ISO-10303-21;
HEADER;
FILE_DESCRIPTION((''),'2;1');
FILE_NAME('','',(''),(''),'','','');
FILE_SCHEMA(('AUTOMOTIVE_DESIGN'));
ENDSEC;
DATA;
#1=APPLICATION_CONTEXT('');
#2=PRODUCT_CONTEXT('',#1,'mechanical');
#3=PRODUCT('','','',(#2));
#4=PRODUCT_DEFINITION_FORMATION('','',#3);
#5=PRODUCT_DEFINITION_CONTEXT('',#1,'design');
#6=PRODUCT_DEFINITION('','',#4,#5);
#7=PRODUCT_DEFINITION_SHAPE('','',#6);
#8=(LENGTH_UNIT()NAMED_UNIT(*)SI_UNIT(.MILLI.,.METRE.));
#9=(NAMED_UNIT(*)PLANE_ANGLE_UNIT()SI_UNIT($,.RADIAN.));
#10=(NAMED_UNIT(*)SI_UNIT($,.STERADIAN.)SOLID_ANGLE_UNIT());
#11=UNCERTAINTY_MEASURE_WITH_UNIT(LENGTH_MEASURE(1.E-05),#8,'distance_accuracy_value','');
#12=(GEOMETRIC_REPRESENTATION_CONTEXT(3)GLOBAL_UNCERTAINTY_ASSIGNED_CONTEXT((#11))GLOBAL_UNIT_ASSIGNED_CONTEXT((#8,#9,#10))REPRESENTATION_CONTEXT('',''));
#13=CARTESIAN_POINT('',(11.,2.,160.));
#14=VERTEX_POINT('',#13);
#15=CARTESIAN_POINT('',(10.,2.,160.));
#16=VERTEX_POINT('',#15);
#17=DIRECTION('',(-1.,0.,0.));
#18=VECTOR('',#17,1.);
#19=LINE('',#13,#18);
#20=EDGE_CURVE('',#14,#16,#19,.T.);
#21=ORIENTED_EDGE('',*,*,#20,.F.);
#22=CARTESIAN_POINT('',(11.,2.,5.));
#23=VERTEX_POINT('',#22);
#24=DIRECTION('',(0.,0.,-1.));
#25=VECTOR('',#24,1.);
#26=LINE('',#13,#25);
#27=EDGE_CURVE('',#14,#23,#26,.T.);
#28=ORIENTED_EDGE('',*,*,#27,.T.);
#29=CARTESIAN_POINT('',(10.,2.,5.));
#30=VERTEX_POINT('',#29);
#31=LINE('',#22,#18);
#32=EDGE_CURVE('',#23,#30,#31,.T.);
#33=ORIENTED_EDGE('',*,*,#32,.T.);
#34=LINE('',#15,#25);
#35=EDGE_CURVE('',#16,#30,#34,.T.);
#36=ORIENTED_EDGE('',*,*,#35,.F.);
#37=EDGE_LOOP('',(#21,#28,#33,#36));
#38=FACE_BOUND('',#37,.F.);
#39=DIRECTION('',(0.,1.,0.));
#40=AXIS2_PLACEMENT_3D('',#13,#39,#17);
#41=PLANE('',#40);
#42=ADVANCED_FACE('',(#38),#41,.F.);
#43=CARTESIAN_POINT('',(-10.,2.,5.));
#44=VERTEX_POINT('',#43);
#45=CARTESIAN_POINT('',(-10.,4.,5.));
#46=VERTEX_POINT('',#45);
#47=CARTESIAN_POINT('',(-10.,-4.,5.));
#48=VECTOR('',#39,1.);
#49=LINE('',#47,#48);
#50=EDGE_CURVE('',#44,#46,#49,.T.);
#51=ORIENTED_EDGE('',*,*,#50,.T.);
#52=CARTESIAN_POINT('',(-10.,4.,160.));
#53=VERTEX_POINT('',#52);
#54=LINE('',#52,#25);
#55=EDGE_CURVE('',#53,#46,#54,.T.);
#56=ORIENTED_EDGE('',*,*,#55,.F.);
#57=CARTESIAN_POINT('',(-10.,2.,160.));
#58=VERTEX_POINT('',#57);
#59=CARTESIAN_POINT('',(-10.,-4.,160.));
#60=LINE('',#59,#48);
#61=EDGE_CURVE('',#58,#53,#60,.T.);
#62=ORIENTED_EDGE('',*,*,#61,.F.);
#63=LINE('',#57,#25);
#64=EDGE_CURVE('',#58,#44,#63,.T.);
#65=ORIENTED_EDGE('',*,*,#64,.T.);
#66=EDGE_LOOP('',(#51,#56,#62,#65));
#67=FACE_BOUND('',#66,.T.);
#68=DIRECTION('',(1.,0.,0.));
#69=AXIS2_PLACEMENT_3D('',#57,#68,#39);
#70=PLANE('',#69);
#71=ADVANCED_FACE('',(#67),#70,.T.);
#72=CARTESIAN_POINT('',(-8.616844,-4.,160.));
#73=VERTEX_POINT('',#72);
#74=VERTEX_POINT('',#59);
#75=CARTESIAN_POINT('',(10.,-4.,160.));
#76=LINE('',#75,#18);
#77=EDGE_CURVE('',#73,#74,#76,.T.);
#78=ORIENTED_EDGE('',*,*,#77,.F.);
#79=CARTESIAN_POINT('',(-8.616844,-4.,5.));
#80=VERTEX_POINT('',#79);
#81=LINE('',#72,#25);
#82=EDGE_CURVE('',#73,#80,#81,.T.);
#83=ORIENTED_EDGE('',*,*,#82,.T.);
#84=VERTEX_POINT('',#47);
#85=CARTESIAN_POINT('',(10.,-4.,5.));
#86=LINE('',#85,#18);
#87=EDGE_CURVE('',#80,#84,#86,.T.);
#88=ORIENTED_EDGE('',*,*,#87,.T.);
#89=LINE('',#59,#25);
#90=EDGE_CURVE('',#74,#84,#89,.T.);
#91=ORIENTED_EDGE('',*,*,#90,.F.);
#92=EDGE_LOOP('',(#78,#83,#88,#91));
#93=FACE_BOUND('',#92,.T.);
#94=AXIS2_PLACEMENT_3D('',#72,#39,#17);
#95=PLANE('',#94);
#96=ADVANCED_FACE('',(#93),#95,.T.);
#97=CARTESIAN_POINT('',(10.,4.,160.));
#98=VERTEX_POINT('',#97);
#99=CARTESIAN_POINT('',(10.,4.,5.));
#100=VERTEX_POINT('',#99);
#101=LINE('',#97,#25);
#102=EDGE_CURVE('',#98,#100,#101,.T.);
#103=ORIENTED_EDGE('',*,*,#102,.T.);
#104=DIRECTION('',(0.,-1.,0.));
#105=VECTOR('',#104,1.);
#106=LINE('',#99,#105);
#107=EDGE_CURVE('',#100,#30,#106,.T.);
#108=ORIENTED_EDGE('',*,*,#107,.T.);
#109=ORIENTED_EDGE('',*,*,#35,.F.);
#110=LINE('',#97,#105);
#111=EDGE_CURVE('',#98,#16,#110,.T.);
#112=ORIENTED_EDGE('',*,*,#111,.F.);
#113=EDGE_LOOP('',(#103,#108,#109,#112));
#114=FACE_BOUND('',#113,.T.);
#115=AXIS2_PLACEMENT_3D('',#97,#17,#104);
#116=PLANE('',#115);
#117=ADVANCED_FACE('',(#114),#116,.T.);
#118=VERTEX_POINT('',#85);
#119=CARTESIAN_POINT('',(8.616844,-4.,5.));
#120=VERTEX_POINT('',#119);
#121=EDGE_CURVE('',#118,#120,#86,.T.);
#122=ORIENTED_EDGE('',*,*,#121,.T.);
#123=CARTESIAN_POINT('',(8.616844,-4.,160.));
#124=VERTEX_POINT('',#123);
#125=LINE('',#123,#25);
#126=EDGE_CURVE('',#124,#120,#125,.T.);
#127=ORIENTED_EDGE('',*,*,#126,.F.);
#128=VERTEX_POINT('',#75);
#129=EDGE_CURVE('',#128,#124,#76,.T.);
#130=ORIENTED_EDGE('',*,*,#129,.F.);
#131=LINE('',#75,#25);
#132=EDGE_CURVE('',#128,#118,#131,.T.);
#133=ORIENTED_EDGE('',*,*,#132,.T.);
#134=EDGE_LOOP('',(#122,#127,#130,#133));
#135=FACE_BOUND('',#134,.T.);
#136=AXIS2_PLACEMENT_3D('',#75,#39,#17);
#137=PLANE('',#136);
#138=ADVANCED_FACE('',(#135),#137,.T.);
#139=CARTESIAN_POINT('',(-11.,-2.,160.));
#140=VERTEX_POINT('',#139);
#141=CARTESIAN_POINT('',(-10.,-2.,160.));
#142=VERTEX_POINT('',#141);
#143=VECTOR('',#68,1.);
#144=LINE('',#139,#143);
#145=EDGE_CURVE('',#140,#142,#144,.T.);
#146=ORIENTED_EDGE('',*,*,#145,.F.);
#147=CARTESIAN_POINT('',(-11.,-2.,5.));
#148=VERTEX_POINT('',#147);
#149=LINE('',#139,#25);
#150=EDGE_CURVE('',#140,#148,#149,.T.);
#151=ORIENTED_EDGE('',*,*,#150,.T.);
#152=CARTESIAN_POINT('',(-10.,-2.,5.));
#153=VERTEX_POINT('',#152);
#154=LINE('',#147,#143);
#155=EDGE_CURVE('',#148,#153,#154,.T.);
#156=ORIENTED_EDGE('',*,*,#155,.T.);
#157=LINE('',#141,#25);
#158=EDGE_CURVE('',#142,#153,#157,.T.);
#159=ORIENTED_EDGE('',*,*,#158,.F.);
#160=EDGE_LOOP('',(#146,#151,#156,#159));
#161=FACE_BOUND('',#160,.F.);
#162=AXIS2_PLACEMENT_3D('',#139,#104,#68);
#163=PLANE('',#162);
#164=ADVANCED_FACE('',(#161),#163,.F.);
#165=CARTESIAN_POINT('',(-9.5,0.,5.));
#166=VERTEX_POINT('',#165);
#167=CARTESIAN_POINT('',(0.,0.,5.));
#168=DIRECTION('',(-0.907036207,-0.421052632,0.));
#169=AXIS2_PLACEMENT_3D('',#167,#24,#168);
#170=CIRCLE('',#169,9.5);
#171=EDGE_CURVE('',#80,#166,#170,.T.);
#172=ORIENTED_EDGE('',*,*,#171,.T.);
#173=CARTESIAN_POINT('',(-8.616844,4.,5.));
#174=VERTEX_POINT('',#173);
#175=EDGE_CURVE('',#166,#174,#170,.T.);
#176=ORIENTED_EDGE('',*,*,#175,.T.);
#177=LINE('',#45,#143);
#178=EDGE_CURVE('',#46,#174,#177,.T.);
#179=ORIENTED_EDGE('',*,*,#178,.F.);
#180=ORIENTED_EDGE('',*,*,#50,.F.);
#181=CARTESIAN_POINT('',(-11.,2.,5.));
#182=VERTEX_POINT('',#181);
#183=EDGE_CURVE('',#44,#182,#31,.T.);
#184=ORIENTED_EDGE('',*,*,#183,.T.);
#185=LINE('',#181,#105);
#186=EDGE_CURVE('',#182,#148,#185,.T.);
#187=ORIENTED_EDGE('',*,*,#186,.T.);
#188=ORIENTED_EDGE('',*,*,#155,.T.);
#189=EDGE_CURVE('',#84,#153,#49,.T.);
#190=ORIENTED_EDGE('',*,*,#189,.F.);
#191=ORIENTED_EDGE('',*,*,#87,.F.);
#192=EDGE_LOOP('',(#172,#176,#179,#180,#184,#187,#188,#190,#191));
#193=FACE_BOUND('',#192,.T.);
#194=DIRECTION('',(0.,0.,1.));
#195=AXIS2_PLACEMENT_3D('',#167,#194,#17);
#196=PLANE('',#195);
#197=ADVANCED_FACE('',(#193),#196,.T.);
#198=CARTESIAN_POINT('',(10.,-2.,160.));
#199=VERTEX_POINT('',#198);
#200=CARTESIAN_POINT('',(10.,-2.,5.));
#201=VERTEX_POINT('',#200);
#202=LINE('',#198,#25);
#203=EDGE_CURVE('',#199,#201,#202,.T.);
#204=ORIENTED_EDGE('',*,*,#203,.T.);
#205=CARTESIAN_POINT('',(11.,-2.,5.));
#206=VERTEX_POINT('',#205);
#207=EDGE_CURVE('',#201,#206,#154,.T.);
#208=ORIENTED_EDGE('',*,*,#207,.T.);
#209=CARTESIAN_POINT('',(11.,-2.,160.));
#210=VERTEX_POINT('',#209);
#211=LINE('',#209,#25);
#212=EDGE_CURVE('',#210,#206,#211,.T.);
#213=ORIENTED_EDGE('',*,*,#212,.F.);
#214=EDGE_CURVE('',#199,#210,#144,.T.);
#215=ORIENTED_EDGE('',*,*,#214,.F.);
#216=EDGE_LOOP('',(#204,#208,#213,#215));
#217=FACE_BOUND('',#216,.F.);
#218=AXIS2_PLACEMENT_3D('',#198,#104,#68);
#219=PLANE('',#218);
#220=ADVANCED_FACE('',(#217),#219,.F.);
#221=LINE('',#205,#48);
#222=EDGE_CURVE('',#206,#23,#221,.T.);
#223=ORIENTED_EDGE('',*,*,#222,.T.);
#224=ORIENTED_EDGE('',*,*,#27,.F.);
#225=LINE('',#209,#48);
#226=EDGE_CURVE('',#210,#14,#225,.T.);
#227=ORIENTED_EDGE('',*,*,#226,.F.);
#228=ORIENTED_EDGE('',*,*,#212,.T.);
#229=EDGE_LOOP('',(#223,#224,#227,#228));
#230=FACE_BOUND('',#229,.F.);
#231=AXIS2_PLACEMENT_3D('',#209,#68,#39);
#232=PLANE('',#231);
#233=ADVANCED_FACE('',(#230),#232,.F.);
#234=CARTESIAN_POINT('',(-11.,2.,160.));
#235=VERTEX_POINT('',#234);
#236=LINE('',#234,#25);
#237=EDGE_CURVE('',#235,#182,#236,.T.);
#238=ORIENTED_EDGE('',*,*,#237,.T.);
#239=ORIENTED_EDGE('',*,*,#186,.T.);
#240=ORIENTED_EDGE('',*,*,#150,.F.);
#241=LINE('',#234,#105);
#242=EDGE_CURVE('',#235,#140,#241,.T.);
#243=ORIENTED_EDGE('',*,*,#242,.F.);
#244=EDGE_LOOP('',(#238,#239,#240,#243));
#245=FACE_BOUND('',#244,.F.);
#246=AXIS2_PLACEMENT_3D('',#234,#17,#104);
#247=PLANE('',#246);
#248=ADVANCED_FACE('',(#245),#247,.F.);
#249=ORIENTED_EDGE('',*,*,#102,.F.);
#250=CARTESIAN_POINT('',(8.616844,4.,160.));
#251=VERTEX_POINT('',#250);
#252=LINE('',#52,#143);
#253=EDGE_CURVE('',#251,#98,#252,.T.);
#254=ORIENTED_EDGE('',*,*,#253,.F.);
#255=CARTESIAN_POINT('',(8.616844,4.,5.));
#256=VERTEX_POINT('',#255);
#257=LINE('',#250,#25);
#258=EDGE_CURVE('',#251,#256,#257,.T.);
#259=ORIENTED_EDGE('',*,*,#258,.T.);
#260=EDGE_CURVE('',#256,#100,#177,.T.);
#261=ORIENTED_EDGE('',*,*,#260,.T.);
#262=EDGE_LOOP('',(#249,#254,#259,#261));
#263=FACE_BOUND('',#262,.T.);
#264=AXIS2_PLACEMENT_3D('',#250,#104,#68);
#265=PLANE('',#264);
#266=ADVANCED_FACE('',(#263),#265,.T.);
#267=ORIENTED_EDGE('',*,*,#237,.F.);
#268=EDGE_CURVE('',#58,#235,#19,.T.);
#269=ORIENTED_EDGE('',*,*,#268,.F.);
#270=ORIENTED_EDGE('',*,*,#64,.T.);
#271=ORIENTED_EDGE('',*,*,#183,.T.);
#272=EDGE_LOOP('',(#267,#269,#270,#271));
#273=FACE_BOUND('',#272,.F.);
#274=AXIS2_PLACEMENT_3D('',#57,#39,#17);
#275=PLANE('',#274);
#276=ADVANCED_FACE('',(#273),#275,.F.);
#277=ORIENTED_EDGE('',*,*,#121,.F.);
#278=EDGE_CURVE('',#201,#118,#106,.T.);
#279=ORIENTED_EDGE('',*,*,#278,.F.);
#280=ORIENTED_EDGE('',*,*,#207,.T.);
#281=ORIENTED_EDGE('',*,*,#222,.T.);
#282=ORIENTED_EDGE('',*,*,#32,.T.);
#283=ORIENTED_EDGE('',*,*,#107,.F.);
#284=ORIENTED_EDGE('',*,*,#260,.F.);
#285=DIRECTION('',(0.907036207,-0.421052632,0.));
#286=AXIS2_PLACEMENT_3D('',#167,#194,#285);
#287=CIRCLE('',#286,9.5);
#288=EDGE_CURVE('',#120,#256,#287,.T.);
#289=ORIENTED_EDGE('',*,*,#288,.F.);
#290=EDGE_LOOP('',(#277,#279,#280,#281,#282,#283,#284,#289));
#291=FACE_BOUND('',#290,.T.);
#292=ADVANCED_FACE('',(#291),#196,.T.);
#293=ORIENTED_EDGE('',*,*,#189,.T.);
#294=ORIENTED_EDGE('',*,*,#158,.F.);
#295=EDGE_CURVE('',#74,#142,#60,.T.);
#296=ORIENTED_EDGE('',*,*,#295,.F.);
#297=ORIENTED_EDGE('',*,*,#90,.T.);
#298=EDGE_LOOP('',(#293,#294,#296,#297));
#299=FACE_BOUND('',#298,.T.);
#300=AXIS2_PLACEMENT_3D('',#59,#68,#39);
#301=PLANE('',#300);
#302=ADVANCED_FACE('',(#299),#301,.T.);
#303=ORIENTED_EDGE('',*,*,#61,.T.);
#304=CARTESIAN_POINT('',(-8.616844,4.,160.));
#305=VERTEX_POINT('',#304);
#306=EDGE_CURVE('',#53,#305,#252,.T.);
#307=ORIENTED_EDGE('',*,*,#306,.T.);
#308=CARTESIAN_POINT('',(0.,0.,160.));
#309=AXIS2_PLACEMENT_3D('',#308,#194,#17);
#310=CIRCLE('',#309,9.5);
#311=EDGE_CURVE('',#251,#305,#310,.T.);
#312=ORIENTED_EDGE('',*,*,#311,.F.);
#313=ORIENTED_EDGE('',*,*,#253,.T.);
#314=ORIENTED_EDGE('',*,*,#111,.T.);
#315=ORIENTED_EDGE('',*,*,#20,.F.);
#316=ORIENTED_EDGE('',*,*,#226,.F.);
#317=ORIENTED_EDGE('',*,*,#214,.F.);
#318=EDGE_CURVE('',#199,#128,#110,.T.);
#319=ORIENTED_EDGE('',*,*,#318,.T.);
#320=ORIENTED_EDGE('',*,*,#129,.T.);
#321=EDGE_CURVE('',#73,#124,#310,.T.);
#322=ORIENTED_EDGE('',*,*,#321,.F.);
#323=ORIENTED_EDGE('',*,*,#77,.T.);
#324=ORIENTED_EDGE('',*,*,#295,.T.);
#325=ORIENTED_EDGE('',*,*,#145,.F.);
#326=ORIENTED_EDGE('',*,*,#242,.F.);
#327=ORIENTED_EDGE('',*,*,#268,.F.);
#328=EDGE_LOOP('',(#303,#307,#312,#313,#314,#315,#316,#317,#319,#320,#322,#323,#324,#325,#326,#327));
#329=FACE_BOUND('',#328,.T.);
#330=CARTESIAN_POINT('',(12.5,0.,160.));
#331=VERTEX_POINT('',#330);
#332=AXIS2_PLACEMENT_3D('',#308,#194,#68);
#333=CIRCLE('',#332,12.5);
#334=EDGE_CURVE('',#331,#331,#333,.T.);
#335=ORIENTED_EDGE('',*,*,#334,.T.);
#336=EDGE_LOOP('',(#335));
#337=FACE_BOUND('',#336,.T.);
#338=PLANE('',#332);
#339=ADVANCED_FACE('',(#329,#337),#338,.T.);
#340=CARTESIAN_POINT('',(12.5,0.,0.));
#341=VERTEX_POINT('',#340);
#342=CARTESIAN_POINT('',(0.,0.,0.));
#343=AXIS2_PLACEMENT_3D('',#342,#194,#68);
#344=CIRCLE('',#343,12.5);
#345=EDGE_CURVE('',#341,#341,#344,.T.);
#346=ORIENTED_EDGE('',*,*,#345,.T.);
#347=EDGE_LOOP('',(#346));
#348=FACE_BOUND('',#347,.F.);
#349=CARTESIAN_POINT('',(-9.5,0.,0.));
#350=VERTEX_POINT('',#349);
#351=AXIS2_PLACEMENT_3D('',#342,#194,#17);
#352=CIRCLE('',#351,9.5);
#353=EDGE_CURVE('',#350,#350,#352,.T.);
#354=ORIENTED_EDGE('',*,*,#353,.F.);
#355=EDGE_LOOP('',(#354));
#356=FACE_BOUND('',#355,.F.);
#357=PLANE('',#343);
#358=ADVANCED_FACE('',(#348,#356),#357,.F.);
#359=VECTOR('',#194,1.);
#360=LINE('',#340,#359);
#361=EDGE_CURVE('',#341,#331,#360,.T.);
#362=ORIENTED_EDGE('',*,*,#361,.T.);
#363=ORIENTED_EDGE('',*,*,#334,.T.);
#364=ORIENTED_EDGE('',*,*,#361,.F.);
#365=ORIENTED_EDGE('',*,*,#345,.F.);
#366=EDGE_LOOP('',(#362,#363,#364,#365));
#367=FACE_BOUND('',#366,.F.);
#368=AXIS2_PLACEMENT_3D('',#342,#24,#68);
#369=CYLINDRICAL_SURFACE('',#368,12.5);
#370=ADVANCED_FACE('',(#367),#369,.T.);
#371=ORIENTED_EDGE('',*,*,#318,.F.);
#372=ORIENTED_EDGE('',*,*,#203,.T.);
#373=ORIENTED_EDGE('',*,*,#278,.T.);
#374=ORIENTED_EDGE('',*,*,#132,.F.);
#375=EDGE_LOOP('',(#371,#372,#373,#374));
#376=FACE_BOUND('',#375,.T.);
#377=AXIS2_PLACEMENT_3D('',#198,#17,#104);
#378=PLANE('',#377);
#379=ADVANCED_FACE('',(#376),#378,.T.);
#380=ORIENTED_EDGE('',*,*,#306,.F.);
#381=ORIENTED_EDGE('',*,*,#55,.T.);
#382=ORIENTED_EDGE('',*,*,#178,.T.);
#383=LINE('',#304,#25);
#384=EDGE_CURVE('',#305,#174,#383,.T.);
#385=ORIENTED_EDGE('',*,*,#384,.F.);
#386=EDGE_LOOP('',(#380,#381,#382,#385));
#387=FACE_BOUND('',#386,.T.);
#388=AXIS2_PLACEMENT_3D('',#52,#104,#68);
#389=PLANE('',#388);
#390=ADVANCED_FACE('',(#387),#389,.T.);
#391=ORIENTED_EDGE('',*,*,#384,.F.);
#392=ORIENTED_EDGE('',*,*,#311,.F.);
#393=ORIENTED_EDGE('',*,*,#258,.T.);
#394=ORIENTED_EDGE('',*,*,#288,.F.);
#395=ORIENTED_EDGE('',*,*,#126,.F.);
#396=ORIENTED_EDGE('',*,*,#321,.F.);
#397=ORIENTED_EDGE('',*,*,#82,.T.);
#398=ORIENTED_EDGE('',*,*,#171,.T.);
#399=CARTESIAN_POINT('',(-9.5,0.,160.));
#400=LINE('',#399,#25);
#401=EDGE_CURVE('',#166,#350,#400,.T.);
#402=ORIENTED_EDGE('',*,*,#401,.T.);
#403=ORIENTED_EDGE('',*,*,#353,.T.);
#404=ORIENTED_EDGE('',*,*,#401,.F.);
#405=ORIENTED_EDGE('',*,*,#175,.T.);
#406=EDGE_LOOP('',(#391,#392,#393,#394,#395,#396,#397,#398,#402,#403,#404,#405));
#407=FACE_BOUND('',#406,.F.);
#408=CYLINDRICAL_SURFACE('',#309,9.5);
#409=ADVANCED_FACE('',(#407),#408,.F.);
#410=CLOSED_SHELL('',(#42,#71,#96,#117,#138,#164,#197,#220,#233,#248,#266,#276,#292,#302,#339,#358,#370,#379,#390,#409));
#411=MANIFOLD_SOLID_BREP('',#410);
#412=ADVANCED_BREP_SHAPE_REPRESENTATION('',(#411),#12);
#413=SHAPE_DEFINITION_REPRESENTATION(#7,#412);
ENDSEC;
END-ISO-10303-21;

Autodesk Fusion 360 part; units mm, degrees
sketch "Sketch1" plane through (0, 0, 0) normal (0, 0, 1) x (1, 0, 0)
  circle A0 centre (0, 0) radius 12.5
  dimension "d1" = 25
extrude "Extrude1" add sketch "Sketch1" along normal blind 160
sketch "Sketch3" plane through (0, 0, 160) normal (0, 0, 1) x (-1, 0, 0)
  circle A0 centre (0, 0) radius 12.5
  circle A1 centre (0, 0) radius 9.5
  dimension "d4" = 19
extrude "Extrude2" cut sketch "Sketch3" against normal blind 1000 contours A1
sketch "Sketch4" plane through (0, 0, 160) normal (0, 0, -1) x (1, 0, 0)
  circle A0 centre (0, -30) radius 12.5
  circle A1 centre (0, -30) radius 9.25
  dimension "d12" = 18.5
sketch "Sketch7" plane through (0, 0, 171) normal (0, 0, 1) x (-1, 0, 0)
  circle A0 centre (30, 0) radius 6.2204
  circle A1 centre (30, 0) radius 5
sketch "Sketch8" plane through (0, 0, 171) normal (0, 0, 1) x (-1, 0, 0)
  circle A0 centre (30, 0) radius 5
  circle A1 centre (30, 0) radius 6.2204
  line L0 (26, -15) -> (14, -15)
  circle A2 centre (20, -15) radius 6
  line L1 (26, -20) -> (21, -20)
  line L2 (21, -10) -> (26, -10)
  line L3 (26, -10) -> (26, -20)
sketch "Sketch9" plane through (-26, 0, 0) normal (-1, 0, 0) x (0, -1, 0)
  circle A0 centre (-15, 171) radius 5
sketch "Sketch10" plane through (-26, 0, 0) normal (-1, 0, 0) x (0, -1, 0)
  circle A0 centre (-15, 171) radius 4
sketch "Sketch11" plane through (0, 0, 160) normal (0, 0, 1) x (-1, 0, 0)
  circle A0 centre (0, 0) radius 9.5
  circle A1 centre (0, 0) radius 12.5
  line L0 (11, 2) -> (-11, 2)
  line L1 (-11, 2) -> (-11, -2)
  line L2 (-11, -2) -> (11, -2)
  line L3 (11, -2) -> (11, 2)
  line L4 (10, -4) -> (-10, -4)
  line L5 (-10, -4) -> (-10, 4)
  line L6 (-10, 4) -> (10, 4)
  line L7 (10, 4) -> (10, -4)
extrude "Extrude7" cut sketch "Sketch11" against normal blind 155 contours A0 L0 L2 L7 | A0 L0 L6 L7 | A0 L2 L4 L7 | L0 L2 L3 L7 | A0 L0 L5 L6 | A0 L0 L2 L5 | A0 L2 L4 L5 | L0 L1 L2 L5
sketch "Sketch12" plane through (0, 0, 160) normal (0, 0, 1) x (-1, 0, 0)
  line L0 (11, -2) -> (10, -2)
  arc A0 (8.6168, 4) -> (-8.6168, 4) centre (0, 0) ccw
  line L1 (-10, -2) -> (-11, -2)
  line L2 (-11, -2) -> (-11, 2)
  line L3 (-11, 2) -> (-10, 2)
  line L4 (10, 2) -> (11, 2)
  line L5 (11, 2) -> (11, -2)
  circle A1 centre (0, 0) radius 12.5
  line L6 (10.9, -1.9) -> (-10.9, -1.9)
  line L7 (-10.9, -1.9) -> (-10.9, 1.9)
  line L8 (-10.9, 1.9) -> (10.9, 1.9)
  line L9 (10.9, 1.9) -> (10.9, -1.9)
  line L10 (10, -3) -> (-10, -3)
  line L11 (-10, -3) -> (-10, 3)
  line L12 (-10, 3) -> (10, 3)
  line L13 (10, 3) -> (10, -3)
  line L14 (-8.6168, -4) -> (-10, -4)
  line L15 (-10, -4) -> (-10, -2)
  line L16 (-10, 2) -> (-10, 4)
  line L17 (-10, 4) -> (-8.6168, 4)
  line L18 (8.6168, 4) -> (10, 4)
  line L19 (10, 4) -> (10, 2)
  line L20 (10, -2) -> (10, -4)
  line L21 (10, -4) -> (8.6168, -4)
  arc A2 (-8.6168, -4) -> (8.6168, -4) centre (0, 0) ccw
sketch "Sketch13" plane through (0, -1.9, 0) normal (0, -1, 0) x (1, 0, 0)
  line L0 (37.9, 160) -> (16.1, 160)
  line L1 (16.1, 160) -> (16.1, 0)
  line L2 (16.1, 0) -> (37.9, 0)
  line L3 (37.9, 0) -> (37.9, 160)
  line L4 (18, 158) -> (36, 158)
  line L5 (36, 158) -> (36, 16)
  line L6 (36, 16) -> (18, 16)
  line L7 (18, 16) -> (18, 158)
sketch "Sketch14" plane through (0, -1.9, 0) normal (0, -1, 0) x (1, 0, 0)
  line L0 (16, 0) -> (19.1, 0)
  line L1 (19.1, 0) -> (19.1, 5.1)
  line L2 (19.1, 5.1) -> (16, 5.1)
  line L3 (16, 5.1) -> (16, 0)
  line L4 (38, 0) -> (34.9, 0)
  line L5 (34.9, 0) -> (34.9, 5.1)
  line L6 (34.9, 5.1) -> (38, 5.1)
  line L7 (38, 5.1) -> (38, 0)
sketch "Sketch15" plane through (0, 0, 0) normal (0, 0, -1) x (1, 0, 0)
  line L0 (19.1, 1.9) -> (19.1, -1.9)
  line L1 (19.1, -1.9) -> (34.9, -1.9)
  line L2 (34.9, -1.9) -> (34.9, 1.9)
  line L3 (34.9, 1.9) -> (19.1, 1.9)
  circle A0 centre (27, 0) radius 7.9
  circle A1 centre (27, 0) radius 7.6941
